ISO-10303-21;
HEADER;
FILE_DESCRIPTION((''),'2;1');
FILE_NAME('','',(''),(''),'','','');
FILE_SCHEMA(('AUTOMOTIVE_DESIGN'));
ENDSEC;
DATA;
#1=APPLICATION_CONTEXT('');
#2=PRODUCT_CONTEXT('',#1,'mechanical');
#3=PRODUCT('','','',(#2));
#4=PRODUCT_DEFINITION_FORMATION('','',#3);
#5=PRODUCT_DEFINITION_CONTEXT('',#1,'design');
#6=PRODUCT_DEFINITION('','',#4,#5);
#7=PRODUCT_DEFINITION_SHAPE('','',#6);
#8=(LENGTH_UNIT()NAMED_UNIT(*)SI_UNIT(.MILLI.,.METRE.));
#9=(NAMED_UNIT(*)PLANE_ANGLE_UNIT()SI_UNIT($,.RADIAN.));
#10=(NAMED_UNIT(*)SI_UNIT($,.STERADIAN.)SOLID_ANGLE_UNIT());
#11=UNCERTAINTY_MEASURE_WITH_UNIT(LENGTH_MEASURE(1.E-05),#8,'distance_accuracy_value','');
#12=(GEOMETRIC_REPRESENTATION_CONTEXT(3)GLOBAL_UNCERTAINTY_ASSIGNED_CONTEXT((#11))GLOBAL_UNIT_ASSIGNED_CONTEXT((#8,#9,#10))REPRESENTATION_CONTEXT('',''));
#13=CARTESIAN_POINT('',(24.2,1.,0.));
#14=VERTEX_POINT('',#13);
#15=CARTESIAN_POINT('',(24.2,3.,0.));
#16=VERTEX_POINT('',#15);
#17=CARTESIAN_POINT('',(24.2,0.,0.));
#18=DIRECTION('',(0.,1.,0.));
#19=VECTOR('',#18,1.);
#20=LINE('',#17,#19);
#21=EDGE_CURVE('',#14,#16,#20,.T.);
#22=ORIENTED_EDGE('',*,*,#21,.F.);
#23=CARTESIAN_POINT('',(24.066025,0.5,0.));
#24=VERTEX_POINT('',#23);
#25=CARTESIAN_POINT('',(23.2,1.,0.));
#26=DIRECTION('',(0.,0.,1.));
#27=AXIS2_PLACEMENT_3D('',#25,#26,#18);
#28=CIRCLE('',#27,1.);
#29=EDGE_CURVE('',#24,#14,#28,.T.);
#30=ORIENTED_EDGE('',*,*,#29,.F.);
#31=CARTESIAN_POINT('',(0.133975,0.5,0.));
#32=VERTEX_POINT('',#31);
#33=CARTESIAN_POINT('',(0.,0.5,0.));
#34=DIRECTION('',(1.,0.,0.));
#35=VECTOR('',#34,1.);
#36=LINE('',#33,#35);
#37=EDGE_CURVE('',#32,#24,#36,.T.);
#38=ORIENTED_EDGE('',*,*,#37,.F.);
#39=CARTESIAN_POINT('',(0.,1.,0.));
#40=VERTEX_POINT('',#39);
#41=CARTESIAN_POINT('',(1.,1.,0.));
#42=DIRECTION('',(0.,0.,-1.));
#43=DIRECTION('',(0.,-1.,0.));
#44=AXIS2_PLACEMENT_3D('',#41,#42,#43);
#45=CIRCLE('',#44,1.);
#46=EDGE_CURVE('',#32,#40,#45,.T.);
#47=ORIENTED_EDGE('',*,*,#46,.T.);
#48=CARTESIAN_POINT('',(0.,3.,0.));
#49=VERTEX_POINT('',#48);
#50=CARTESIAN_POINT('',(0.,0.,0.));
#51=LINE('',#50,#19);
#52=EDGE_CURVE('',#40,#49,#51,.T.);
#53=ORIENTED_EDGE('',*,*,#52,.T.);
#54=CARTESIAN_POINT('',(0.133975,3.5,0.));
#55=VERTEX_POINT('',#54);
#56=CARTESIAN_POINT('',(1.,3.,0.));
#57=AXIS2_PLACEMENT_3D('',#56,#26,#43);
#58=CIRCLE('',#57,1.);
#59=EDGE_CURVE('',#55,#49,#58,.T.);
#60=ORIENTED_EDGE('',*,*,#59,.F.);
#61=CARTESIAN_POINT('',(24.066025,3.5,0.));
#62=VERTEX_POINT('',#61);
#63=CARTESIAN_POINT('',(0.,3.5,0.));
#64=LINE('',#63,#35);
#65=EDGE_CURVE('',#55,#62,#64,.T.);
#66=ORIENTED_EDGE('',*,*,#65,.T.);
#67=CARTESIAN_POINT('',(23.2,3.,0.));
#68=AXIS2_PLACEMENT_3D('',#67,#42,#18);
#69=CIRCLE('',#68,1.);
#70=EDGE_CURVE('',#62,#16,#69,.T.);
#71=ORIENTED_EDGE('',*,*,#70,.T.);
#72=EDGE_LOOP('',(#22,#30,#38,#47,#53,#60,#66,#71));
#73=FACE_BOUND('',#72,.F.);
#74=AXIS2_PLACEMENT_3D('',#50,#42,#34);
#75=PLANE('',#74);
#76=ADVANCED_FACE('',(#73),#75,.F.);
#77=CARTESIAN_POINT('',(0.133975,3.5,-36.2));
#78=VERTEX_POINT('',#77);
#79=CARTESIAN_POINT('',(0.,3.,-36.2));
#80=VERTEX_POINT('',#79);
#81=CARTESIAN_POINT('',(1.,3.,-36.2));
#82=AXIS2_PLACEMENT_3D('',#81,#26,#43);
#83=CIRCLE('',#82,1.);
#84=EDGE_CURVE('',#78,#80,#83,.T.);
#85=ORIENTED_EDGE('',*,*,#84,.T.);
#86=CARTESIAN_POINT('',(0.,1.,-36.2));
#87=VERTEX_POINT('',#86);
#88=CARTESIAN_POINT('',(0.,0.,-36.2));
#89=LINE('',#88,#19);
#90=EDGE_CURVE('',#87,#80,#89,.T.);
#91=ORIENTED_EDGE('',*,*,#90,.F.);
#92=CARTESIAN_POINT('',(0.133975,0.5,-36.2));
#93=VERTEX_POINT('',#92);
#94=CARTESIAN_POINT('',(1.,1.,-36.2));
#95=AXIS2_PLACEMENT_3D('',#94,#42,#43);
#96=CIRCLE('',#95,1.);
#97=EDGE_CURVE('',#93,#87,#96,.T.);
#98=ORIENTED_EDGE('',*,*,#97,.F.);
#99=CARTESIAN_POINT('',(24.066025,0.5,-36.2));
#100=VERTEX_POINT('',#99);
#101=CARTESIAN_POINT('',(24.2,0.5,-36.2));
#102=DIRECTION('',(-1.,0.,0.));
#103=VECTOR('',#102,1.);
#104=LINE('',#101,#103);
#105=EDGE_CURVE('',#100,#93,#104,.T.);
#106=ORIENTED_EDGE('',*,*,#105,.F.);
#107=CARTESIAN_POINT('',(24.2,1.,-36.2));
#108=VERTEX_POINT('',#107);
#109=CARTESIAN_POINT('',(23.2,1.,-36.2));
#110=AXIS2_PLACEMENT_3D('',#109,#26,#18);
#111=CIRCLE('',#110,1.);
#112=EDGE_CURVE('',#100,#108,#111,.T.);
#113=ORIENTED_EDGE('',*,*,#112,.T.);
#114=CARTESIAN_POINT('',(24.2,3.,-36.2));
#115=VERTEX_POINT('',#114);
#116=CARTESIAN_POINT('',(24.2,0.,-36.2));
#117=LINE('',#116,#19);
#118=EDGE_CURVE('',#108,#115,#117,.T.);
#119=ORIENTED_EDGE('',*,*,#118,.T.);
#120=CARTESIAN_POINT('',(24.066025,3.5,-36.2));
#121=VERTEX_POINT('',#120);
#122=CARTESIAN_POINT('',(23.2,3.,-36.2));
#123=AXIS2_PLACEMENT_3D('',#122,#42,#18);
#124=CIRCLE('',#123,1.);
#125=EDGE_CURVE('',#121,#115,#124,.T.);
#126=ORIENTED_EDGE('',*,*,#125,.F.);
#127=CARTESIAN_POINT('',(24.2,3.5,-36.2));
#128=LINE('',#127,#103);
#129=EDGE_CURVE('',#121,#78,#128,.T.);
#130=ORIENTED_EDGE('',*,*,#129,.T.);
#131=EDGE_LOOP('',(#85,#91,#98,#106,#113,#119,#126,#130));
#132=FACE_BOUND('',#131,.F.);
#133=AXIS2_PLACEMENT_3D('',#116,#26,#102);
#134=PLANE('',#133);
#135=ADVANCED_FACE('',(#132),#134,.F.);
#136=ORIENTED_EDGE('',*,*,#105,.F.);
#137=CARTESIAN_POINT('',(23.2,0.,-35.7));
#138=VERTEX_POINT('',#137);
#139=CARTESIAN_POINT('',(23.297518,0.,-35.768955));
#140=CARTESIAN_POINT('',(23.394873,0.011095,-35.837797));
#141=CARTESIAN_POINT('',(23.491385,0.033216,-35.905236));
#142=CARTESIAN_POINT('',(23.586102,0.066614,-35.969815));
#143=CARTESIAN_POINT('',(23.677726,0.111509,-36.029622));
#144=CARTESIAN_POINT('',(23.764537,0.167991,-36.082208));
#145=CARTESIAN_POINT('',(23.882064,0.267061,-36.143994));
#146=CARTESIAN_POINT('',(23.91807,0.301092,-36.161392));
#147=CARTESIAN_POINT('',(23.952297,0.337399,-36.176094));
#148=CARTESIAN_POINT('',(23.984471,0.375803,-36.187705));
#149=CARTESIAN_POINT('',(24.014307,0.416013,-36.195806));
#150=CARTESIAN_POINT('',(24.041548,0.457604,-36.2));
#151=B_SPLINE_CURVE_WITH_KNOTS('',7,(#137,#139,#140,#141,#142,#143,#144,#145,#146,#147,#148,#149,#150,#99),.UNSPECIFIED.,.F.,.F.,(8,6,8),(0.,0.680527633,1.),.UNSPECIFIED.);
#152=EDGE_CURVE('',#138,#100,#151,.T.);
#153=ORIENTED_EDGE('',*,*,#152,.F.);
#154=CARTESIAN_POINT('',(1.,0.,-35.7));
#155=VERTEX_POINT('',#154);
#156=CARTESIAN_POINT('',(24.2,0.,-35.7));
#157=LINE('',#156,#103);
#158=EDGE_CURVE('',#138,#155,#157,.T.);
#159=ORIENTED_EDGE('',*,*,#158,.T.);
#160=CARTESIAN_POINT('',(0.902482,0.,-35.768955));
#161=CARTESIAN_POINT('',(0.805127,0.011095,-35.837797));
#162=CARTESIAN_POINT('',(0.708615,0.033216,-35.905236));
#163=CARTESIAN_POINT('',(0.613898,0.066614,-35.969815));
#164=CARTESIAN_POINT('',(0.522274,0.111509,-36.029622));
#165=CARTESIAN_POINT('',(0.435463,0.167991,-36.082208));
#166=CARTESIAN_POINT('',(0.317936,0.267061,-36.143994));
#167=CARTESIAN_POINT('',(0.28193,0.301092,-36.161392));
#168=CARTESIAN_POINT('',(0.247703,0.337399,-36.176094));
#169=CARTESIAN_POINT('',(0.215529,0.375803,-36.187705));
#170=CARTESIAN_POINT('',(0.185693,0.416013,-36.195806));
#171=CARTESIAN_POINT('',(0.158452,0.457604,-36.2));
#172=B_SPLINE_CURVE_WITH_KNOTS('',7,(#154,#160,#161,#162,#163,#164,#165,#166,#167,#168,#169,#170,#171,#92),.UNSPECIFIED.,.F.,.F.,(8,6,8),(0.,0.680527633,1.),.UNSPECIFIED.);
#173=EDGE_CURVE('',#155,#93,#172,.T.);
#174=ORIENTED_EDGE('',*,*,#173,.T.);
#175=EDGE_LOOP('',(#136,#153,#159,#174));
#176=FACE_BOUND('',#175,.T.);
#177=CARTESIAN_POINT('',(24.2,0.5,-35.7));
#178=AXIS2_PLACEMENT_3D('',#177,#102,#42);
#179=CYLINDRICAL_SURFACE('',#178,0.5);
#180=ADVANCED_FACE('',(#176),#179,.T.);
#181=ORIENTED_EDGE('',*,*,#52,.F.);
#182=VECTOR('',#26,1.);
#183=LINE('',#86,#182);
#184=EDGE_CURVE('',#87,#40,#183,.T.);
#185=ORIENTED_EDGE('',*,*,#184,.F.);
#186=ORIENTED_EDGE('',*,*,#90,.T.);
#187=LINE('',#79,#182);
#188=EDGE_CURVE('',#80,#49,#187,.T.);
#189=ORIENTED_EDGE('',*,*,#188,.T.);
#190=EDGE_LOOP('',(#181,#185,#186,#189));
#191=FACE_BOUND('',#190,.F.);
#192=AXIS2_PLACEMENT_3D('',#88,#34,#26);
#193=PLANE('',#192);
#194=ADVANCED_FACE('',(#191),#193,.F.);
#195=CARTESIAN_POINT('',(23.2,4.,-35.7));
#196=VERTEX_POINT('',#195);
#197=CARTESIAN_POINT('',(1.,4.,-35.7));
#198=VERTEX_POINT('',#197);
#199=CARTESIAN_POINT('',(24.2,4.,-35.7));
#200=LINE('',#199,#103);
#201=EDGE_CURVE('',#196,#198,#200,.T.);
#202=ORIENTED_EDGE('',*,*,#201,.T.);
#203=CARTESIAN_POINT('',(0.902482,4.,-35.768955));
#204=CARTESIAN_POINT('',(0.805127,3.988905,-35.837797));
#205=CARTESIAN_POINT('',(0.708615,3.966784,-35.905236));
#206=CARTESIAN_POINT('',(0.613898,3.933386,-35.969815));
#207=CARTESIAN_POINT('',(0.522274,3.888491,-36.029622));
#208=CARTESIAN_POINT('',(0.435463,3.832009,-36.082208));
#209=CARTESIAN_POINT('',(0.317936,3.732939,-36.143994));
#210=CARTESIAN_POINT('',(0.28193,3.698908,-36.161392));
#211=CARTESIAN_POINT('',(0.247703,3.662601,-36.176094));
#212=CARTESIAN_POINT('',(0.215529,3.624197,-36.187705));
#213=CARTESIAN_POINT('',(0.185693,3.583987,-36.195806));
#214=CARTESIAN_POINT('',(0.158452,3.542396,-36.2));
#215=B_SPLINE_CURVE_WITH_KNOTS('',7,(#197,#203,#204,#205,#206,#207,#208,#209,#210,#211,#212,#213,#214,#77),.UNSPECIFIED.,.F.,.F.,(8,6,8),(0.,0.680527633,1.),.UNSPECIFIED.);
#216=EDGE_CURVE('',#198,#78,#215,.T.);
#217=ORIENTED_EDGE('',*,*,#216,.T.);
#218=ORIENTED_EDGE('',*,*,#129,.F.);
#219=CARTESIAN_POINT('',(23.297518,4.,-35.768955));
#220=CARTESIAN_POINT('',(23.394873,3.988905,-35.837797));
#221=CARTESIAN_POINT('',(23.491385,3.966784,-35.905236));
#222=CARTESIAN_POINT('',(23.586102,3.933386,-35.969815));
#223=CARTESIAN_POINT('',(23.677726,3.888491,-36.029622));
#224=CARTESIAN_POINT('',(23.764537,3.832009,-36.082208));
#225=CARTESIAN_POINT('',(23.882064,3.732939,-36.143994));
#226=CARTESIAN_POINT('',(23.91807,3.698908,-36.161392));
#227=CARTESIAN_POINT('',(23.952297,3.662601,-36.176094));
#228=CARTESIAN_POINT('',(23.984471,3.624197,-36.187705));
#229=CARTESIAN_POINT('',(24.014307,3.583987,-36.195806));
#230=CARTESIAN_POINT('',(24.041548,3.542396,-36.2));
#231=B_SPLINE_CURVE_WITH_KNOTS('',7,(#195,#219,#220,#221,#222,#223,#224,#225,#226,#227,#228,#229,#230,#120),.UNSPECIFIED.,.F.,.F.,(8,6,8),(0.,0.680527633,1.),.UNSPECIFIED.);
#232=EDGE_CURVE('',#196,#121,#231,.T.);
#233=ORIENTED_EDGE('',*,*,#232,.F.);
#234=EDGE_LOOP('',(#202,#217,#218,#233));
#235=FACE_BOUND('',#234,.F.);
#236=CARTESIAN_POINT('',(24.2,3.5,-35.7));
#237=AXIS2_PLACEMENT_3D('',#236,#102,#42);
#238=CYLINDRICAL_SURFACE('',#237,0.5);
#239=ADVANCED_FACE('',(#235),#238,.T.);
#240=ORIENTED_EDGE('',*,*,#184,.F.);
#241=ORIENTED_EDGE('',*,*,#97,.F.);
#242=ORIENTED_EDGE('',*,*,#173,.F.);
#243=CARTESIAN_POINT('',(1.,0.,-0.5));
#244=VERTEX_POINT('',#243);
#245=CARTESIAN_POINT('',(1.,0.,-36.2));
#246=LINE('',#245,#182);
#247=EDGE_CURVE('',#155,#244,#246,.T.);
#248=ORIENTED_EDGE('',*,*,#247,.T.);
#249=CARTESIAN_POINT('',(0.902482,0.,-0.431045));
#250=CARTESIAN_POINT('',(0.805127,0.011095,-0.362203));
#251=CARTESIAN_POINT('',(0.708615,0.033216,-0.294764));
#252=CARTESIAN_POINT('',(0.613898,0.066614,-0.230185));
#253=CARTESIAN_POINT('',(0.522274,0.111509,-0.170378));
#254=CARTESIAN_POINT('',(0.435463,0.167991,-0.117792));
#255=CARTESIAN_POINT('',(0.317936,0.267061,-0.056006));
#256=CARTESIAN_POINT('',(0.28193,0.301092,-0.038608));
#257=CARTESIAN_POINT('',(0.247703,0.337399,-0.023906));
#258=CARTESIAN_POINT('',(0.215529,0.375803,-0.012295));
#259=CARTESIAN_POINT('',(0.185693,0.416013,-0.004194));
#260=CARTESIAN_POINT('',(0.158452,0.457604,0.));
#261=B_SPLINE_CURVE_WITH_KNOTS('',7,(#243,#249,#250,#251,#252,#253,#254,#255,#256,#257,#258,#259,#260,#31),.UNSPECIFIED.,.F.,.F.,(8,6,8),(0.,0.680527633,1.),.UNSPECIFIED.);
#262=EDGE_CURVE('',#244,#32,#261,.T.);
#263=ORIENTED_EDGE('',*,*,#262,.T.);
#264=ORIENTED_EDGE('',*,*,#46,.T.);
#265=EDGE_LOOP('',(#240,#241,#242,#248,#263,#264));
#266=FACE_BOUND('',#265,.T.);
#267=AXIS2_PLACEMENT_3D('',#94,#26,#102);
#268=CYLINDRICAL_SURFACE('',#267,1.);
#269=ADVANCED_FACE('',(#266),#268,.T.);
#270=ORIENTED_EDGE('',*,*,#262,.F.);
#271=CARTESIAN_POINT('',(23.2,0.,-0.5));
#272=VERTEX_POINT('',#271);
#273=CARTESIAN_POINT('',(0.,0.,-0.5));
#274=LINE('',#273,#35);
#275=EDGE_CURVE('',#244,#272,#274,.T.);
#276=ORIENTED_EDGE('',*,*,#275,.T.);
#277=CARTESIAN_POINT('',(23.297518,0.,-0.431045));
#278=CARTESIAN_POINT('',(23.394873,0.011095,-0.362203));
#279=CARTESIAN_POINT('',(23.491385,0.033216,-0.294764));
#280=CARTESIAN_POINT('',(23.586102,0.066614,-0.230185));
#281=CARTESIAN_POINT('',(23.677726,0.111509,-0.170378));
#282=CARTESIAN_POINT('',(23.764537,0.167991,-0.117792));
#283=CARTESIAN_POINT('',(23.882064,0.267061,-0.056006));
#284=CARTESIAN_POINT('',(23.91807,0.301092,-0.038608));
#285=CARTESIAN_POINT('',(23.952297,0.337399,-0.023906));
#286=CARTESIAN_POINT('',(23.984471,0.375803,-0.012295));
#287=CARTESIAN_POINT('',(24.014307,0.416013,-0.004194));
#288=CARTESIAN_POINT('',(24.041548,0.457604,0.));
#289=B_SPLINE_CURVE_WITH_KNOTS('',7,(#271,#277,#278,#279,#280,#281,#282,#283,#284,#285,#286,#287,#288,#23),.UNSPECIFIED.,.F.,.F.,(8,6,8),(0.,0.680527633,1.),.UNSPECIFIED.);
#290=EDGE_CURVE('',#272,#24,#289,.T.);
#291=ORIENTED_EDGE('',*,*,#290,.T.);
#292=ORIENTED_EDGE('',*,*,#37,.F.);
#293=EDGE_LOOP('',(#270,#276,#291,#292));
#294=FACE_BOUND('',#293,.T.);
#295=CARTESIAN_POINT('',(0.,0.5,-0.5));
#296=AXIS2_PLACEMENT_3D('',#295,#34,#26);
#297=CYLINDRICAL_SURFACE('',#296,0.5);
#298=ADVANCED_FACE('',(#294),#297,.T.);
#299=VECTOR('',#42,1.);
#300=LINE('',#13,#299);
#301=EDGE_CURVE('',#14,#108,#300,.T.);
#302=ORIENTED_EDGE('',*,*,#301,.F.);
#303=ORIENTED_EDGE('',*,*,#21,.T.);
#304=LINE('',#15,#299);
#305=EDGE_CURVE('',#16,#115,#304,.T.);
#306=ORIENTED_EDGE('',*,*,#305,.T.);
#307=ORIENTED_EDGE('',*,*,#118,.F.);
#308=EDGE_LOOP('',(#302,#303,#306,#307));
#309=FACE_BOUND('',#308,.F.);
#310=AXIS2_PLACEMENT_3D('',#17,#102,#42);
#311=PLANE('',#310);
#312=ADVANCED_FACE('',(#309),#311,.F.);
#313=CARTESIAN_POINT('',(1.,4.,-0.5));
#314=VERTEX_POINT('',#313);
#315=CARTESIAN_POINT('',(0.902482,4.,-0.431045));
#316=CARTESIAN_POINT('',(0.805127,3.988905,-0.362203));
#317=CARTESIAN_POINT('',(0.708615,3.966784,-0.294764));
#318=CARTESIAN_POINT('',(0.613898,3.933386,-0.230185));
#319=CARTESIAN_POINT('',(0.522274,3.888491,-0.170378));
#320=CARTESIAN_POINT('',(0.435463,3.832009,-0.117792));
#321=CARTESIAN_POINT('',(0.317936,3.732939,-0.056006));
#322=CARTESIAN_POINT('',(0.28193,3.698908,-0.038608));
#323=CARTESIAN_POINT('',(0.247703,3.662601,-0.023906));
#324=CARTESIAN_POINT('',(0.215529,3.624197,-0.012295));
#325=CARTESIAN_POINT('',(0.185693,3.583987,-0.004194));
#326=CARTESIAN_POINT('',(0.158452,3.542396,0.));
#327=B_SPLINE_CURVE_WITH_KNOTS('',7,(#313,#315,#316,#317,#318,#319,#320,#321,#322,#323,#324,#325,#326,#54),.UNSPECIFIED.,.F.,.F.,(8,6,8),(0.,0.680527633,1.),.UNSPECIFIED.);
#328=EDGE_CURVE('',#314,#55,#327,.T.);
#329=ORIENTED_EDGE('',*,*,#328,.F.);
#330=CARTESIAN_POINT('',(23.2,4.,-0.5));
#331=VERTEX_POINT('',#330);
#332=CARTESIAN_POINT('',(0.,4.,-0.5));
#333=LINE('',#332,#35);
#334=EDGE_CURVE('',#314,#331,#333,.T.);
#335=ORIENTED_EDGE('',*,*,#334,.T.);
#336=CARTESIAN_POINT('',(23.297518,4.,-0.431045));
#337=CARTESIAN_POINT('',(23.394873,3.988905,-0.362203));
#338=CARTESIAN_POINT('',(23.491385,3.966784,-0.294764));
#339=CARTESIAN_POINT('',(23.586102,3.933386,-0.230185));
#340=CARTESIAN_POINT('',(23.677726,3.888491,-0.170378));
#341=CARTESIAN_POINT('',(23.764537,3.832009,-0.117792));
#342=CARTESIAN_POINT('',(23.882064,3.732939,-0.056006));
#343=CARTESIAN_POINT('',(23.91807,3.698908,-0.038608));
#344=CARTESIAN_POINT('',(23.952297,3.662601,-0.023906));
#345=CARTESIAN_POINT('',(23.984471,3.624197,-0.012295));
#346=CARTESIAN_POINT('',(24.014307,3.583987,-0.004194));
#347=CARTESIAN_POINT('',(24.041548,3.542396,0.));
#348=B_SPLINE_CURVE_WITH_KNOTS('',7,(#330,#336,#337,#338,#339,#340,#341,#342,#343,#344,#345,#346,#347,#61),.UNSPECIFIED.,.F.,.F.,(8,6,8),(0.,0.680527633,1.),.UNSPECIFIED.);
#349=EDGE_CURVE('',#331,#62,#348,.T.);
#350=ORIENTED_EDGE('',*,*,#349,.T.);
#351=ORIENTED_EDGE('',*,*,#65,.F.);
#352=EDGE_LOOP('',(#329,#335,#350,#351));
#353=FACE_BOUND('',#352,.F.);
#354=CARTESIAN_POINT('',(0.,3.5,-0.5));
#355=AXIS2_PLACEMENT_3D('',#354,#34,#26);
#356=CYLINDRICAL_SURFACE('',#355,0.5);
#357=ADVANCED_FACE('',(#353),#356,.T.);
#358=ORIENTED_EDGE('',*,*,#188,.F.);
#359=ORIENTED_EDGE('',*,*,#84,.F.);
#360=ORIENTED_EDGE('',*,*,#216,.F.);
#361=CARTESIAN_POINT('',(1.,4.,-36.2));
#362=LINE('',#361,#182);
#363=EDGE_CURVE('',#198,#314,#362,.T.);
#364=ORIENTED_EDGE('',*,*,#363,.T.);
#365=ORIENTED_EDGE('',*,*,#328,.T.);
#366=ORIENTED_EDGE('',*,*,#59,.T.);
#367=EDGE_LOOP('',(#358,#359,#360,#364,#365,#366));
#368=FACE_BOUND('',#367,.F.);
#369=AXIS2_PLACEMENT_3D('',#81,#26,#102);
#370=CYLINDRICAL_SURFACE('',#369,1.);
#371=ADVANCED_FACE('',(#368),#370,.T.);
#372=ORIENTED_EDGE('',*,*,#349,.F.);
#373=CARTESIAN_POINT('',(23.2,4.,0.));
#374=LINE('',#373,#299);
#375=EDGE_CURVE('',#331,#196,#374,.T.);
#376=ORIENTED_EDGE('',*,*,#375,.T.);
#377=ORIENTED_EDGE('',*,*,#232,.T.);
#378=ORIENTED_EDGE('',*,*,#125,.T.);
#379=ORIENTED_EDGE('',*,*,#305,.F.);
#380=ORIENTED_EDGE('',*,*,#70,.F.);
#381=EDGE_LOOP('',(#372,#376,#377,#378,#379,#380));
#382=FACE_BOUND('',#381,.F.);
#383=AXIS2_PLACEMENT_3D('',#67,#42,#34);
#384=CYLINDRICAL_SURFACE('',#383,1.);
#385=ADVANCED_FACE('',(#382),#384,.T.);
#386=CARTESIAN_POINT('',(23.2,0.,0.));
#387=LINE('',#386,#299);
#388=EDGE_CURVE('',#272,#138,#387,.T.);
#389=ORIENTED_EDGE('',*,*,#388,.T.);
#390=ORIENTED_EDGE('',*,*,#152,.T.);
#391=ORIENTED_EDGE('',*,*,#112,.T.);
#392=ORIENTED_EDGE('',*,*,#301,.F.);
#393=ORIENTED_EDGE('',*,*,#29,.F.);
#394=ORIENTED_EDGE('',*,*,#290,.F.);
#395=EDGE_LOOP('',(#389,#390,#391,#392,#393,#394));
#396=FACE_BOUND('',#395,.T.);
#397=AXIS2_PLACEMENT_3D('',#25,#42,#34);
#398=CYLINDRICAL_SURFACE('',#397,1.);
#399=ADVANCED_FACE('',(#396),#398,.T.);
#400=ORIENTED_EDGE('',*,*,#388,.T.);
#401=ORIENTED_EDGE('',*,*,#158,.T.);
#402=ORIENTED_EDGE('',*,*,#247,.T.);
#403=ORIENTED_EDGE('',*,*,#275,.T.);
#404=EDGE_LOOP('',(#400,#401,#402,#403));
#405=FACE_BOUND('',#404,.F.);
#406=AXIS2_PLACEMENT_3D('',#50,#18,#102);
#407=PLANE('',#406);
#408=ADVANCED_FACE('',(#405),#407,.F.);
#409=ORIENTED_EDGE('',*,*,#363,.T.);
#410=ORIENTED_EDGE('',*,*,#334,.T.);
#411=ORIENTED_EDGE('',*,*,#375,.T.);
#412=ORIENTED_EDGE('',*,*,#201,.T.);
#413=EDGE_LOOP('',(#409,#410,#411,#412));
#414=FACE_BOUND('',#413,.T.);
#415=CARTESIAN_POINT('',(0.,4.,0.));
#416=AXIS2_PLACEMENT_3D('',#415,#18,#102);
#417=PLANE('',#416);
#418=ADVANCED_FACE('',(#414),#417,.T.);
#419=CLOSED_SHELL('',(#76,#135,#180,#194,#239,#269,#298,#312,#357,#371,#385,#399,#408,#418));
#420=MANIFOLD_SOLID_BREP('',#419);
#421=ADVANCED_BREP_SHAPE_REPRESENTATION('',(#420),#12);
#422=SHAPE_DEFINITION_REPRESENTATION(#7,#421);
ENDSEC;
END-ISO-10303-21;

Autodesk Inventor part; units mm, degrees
ref_plane "YZ Plane" through (0, 0, 0) normal (1, 0, 0) x (0, 1, 0)
sketch "Sketch1" plane through (0, 0, 0) normal (0, 1, 0) x (-1, 0, 0)
  line L0 (0, 0) -> (-24.2, 0)
  line L1 (-24.2, 0) -> (-24.2, -36.2)
  line L2 (-24.2, -36.2) -> (0, -36.2)
  line L3 (0, -36.2) -> (0, 0)
  dimension "d0" = 24.2
  dimension "d1" = 36.2
extrude "Extrusion1" add sketch "Sketch1" along normal blind 4
fillet "Fillet1" radius 1 4 edges at (0, 4, -18.1) (0, 0, -18.1) (24.2, 4, -18.1) (24.2, 0, -18.1)
fillet "Fillet1" radius 0.5 4 edges at (12.1, 4, -36.2) (12.1, 0, -36.2) (12.1, 4, 0) (12.1, 0, 0)
ref_plane "Work Plane1" through (12.1, 1, -36.2) normal (1, 0, 0) x (0, 0, -1)
ref_plane "Work Plane2" through (0.134, 3.5, -18.1) normal (0, 0, 1) x (1, 0, 0)
properties part number "Battery_402535"
